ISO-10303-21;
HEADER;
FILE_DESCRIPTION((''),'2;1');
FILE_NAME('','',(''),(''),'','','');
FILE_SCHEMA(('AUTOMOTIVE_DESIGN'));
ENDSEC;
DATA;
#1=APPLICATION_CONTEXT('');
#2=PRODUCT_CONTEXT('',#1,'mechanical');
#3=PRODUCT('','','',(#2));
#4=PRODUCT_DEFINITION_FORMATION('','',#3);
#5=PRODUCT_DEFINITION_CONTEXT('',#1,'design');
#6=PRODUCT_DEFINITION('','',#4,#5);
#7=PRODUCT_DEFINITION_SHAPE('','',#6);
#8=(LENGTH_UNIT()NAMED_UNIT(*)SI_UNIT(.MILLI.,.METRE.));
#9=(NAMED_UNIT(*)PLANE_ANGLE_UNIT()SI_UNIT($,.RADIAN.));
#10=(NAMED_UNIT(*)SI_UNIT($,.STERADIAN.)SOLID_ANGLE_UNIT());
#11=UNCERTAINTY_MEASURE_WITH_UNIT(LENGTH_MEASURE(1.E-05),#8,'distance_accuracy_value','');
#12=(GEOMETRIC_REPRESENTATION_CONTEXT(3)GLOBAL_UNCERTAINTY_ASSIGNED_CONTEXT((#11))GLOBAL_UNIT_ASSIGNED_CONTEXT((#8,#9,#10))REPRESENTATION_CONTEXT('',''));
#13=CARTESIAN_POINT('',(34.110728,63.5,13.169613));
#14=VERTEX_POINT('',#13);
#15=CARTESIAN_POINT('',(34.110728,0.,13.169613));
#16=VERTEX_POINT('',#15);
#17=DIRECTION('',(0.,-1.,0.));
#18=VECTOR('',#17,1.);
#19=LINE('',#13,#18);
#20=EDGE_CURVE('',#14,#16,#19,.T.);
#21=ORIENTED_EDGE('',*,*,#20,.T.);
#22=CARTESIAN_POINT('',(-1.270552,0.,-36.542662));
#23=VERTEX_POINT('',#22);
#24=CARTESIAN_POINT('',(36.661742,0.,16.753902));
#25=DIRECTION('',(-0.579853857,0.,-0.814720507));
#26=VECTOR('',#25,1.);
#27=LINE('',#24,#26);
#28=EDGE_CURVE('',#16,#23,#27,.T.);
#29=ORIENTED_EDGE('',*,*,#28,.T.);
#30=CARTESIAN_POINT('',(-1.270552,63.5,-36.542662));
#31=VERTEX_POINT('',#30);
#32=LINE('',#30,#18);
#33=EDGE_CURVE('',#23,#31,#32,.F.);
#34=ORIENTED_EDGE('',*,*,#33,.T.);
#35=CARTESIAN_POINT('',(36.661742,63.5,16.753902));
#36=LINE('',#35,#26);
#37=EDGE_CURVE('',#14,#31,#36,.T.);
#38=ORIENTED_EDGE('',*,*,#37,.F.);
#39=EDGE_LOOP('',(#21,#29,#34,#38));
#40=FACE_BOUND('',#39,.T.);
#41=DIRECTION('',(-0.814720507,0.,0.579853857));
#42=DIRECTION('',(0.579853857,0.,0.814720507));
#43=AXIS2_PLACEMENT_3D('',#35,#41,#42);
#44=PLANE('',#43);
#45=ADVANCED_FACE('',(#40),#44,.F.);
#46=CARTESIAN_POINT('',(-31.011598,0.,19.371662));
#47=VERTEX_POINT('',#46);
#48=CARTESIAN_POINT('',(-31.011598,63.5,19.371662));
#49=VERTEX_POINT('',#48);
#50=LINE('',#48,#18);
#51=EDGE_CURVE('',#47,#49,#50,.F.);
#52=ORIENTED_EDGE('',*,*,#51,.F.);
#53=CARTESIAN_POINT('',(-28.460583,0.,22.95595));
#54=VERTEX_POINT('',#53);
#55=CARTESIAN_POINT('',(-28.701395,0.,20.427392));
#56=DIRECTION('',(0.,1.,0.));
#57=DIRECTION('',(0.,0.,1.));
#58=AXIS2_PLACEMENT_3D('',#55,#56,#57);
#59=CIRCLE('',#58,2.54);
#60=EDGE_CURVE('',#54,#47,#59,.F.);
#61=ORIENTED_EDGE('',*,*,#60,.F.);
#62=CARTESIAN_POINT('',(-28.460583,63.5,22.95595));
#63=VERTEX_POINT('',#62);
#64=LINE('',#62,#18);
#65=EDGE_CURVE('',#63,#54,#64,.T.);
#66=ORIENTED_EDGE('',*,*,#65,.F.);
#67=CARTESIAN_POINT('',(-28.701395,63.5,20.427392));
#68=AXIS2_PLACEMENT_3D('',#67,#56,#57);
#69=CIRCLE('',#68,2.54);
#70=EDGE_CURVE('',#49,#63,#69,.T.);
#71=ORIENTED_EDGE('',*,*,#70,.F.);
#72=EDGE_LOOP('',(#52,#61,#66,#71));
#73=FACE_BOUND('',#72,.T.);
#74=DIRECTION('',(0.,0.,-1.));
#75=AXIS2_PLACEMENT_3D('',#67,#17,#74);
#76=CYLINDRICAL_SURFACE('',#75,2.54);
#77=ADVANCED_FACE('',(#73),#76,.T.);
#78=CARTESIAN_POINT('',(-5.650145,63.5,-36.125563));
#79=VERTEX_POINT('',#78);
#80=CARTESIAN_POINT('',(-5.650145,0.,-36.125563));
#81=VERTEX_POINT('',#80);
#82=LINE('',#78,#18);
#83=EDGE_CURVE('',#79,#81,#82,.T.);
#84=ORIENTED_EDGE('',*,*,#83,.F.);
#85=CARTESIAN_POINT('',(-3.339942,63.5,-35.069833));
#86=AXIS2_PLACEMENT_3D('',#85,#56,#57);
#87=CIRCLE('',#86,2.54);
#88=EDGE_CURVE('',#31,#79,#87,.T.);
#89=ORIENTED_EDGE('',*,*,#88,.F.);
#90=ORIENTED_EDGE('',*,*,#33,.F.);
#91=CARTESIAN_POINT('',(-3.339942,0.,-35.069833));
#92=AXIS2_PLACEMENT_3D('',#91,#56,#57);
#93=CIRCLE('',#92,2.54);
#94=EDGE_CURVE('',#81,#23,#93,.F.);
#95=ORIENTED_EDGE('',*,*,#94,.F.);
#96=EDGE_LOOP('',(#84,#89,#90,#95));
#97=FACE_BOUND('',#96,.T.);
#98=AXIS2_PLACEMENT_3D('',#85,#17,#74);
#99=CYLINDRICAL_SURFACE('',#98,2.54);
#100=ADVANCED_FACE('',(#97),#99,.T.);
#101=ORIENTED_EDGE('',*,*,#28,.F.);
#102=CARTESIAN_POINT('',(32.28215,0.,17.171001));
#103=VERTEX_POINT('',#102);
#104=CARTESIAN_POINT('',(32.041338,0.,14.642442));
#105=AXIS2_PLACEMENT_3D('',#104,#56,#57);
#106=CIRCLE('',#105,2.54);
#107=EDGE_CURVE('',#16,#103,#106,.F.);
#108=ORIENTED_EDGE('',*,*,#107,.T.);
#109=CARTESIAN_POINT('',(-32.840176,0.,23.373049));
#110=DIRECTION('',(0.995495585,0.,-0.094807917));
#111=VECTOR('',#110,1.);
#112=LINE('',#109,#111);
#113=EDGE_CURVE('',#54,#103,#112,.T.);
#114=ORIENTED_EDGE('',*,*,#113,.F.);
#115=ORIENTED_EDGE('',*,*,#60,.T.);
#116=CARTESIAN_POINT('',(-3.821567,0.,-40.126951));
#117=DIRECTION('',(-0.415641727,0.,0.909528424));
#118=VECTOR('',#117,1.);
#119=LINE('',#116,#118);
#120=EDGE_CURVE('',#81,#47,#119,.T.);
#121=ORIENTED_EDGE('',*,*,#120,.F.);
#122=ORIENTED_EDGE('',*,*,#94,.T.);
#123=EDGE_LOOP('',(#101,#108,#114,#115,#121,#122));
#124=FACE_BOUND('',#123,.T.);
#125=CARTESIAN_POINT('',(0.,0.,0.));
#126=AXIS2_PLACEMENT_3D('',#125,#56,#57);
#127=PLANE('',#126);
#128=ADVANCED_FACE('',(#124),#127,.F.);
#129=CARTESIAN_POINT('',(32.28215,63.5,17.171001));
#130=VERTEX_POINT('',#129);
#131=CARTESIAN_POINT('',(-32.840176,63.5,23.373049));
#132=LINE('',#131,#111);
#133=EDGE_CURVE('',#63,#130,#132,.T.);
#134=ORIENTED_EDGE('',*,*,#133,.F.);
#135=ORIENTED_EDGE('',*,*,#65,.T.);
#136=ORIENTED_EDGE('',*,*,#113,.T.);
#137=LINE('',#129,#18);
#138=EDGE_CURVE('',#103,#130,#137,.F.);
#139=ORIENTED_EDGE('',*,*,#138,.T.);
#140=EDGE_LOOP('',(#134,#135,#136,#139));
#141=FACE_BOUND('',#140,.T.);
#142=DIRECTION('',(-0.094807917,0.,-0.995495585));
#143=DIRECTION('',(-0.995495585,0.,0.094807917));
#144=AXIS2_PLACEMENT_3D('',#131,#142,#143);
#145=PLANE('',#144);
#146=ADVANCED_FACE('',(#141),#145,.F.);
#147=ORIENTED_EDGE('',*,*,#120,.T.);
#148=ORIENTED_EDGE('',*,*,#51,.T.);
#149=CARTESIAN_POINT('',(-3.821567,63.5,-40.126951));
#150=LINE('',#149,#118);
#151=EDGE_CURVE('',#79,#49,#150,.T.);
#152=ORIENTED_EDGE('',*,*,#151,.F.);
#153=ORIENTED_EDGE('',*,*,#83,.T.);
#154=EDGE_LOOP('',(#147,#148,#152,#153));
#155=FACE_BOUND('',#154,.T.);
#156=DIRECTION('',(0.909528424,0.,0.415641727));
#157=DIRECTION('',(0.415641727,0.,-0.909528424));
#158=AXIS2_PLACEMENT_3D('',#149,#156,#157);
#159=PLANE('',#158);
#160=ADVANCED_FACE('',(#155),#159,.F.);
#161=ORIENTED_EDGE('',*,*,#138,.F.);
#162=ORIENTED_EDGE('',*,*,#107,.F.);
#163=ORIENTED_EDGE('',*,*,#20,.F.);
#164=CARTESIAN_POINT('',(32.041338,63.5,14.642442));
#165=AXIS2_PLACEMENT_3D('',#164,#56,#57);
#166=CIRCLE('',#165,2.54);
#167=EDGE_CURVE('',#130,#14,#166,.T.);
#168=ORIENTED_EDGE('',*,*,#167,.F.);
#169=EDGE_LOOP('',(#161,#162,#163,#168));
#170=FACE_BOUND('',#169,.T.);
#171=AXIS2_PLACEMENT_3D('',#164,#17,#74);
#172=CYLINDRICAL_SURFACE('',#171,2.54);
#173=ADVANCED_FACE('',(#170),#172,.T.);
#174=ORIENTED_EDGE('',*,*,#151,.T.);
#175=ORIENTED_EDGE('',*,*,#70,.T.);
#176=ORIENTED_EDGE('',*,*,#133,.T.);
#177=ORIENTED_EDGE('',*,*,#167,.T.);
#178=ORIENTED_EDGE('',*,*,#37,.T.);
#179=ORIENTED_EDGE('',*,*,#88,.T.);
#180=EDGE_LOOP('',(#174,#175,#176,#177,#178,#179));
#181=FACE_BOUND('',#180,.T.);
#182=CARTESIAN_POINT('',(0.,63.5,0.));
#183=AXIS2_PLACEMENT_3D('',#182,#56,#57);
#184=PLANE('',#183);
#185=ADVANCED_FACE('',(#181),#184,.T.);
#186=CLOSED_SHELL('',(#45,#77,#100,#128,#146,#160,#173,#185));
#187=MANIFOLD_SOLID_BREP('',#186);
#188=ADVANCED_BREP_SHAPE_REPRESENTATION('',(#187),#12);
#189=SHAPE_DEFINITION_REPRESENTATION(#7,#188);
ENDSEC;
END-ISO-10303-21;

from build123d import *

# Parameters (mm, degrees)
BOSS_EXTRUDE1_DEPTH = 63.5
FILLET1_R           = 2.54


with BuildPart() as part:
    # Sketch1 → Boss-Extrude1 (new body)
    with BuildSketch(Plane(origin=(0, 0, 0), x_dir=(1, 0, 0), z_dir=(0, 1, 0))):
        Polygon((36.661742094, -16.753901694), (-3.821566567, 40.126950847), (-32.840175526, -23.373049153), align=None)
    extrude(amount=BOSS_EXTRUDE1_DEPTH)

    # Fillet1
    fillet1_edges = [part.edges().sort_by_distance(p)[0] for p in [
        (-32.840175526, 31.75, 23.373049153),
        (-3.821566567, 31.75, -40.126950847),
        (36.661742094, 31.75, 16.753901694),
    ]]
    fillet(fillet1_edges, radius=FILLET1_R)


solid = part.part
